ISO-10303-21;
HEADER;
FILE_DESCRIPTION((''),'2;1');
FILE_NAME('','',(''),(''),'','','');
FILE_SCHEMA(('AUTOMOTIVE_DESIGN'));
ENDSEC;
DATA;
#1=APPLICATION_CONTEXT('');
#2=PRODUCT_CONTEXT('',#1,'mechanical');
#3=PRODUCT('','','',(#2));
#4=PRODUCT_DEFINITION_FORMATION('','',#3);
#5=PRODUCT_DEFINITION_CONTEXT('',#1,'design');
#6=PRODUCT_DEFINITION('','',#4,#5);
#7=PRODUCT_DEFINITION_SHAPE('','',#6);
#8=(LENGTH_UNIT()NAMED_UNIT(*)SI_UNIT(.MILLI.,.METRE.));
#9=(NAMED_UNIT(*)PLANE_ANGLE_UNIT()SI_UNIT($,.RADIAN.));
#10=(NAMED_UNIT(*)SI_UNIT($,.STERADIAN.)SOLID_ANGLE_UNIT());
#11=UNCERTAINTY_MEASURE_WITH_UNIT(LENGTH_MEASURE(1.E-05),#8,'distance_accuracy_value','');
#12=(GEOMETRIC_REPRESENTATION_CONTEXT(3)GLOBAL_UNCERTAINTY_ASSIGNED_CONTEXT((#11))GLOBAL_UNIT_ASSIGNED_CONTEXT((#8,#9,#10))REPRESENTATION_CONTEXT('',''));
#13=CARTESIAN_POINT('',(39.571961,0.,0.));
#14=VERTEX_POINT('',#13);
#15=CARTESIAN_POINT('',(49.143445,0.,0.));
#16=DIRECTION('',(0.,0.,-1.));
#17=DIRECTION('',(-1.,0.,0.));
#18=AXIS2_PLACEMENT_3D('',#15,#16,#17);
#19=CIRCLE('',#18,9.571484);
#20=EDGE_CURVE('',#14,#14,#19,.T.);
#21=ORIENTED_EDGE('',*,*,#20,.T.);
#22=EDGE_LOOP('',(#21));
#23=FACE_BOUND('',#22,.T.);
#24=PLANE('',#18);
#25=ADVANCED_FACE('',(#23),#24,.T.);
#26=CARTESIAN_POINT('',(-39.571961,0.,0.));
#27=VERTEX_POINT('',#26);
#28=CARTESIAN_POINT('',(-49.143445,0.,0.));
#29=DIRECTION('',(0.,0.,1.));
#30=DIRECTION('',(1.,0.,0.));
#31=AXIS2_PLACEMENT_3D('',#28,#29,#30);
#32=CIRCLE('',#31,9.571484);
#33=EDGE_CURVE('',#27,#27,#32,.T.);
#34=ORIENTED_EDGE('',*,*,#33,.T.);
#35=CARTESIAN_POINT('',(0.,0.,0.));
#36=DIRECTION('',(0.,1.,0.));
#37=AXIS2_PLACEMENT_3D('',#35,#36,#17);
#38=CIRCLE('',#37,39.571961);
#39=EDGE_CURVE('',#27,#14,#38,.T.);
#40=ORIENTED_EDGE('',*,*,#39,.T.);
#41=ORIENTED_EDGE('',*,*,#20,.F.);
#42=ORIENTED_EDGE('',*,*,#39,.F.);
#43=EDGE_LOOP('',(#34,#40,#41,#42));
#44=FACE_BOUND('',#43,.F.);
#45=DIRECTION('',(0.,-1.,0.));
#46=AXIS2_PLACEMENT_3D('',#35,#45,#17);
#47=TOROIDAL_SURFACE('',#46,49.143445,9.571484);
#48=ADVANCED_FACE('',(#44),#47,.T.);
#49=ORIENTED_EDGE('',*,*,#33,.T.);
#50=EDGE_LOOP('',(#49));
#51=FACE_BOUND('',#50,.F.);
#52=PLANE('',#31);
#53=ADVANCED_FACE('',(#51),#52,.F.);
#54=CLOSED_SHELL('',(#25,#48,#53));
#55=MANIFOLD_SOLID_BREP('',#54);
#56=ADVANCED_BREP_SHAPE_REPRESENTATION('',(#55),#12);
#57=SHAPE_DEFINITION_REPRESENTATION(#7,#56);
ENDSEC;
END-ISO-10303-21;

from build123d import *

# Parameters (mm, degrees)
F0_R     = 9.571484
F1_ANGLE = -180


with BuildPart() as f1:
    # F0 (on Top) → F1 (revolve)
    with BuildSketch(Plane.XY):
        with Locations((-49.143445, 0)):
            Circle(F0_R)
    revolve(axis=Axis((0, -0.172131, 0), (0, -1, 0)), revolution_arc=F1_ANGLE)


solid = f1.part
